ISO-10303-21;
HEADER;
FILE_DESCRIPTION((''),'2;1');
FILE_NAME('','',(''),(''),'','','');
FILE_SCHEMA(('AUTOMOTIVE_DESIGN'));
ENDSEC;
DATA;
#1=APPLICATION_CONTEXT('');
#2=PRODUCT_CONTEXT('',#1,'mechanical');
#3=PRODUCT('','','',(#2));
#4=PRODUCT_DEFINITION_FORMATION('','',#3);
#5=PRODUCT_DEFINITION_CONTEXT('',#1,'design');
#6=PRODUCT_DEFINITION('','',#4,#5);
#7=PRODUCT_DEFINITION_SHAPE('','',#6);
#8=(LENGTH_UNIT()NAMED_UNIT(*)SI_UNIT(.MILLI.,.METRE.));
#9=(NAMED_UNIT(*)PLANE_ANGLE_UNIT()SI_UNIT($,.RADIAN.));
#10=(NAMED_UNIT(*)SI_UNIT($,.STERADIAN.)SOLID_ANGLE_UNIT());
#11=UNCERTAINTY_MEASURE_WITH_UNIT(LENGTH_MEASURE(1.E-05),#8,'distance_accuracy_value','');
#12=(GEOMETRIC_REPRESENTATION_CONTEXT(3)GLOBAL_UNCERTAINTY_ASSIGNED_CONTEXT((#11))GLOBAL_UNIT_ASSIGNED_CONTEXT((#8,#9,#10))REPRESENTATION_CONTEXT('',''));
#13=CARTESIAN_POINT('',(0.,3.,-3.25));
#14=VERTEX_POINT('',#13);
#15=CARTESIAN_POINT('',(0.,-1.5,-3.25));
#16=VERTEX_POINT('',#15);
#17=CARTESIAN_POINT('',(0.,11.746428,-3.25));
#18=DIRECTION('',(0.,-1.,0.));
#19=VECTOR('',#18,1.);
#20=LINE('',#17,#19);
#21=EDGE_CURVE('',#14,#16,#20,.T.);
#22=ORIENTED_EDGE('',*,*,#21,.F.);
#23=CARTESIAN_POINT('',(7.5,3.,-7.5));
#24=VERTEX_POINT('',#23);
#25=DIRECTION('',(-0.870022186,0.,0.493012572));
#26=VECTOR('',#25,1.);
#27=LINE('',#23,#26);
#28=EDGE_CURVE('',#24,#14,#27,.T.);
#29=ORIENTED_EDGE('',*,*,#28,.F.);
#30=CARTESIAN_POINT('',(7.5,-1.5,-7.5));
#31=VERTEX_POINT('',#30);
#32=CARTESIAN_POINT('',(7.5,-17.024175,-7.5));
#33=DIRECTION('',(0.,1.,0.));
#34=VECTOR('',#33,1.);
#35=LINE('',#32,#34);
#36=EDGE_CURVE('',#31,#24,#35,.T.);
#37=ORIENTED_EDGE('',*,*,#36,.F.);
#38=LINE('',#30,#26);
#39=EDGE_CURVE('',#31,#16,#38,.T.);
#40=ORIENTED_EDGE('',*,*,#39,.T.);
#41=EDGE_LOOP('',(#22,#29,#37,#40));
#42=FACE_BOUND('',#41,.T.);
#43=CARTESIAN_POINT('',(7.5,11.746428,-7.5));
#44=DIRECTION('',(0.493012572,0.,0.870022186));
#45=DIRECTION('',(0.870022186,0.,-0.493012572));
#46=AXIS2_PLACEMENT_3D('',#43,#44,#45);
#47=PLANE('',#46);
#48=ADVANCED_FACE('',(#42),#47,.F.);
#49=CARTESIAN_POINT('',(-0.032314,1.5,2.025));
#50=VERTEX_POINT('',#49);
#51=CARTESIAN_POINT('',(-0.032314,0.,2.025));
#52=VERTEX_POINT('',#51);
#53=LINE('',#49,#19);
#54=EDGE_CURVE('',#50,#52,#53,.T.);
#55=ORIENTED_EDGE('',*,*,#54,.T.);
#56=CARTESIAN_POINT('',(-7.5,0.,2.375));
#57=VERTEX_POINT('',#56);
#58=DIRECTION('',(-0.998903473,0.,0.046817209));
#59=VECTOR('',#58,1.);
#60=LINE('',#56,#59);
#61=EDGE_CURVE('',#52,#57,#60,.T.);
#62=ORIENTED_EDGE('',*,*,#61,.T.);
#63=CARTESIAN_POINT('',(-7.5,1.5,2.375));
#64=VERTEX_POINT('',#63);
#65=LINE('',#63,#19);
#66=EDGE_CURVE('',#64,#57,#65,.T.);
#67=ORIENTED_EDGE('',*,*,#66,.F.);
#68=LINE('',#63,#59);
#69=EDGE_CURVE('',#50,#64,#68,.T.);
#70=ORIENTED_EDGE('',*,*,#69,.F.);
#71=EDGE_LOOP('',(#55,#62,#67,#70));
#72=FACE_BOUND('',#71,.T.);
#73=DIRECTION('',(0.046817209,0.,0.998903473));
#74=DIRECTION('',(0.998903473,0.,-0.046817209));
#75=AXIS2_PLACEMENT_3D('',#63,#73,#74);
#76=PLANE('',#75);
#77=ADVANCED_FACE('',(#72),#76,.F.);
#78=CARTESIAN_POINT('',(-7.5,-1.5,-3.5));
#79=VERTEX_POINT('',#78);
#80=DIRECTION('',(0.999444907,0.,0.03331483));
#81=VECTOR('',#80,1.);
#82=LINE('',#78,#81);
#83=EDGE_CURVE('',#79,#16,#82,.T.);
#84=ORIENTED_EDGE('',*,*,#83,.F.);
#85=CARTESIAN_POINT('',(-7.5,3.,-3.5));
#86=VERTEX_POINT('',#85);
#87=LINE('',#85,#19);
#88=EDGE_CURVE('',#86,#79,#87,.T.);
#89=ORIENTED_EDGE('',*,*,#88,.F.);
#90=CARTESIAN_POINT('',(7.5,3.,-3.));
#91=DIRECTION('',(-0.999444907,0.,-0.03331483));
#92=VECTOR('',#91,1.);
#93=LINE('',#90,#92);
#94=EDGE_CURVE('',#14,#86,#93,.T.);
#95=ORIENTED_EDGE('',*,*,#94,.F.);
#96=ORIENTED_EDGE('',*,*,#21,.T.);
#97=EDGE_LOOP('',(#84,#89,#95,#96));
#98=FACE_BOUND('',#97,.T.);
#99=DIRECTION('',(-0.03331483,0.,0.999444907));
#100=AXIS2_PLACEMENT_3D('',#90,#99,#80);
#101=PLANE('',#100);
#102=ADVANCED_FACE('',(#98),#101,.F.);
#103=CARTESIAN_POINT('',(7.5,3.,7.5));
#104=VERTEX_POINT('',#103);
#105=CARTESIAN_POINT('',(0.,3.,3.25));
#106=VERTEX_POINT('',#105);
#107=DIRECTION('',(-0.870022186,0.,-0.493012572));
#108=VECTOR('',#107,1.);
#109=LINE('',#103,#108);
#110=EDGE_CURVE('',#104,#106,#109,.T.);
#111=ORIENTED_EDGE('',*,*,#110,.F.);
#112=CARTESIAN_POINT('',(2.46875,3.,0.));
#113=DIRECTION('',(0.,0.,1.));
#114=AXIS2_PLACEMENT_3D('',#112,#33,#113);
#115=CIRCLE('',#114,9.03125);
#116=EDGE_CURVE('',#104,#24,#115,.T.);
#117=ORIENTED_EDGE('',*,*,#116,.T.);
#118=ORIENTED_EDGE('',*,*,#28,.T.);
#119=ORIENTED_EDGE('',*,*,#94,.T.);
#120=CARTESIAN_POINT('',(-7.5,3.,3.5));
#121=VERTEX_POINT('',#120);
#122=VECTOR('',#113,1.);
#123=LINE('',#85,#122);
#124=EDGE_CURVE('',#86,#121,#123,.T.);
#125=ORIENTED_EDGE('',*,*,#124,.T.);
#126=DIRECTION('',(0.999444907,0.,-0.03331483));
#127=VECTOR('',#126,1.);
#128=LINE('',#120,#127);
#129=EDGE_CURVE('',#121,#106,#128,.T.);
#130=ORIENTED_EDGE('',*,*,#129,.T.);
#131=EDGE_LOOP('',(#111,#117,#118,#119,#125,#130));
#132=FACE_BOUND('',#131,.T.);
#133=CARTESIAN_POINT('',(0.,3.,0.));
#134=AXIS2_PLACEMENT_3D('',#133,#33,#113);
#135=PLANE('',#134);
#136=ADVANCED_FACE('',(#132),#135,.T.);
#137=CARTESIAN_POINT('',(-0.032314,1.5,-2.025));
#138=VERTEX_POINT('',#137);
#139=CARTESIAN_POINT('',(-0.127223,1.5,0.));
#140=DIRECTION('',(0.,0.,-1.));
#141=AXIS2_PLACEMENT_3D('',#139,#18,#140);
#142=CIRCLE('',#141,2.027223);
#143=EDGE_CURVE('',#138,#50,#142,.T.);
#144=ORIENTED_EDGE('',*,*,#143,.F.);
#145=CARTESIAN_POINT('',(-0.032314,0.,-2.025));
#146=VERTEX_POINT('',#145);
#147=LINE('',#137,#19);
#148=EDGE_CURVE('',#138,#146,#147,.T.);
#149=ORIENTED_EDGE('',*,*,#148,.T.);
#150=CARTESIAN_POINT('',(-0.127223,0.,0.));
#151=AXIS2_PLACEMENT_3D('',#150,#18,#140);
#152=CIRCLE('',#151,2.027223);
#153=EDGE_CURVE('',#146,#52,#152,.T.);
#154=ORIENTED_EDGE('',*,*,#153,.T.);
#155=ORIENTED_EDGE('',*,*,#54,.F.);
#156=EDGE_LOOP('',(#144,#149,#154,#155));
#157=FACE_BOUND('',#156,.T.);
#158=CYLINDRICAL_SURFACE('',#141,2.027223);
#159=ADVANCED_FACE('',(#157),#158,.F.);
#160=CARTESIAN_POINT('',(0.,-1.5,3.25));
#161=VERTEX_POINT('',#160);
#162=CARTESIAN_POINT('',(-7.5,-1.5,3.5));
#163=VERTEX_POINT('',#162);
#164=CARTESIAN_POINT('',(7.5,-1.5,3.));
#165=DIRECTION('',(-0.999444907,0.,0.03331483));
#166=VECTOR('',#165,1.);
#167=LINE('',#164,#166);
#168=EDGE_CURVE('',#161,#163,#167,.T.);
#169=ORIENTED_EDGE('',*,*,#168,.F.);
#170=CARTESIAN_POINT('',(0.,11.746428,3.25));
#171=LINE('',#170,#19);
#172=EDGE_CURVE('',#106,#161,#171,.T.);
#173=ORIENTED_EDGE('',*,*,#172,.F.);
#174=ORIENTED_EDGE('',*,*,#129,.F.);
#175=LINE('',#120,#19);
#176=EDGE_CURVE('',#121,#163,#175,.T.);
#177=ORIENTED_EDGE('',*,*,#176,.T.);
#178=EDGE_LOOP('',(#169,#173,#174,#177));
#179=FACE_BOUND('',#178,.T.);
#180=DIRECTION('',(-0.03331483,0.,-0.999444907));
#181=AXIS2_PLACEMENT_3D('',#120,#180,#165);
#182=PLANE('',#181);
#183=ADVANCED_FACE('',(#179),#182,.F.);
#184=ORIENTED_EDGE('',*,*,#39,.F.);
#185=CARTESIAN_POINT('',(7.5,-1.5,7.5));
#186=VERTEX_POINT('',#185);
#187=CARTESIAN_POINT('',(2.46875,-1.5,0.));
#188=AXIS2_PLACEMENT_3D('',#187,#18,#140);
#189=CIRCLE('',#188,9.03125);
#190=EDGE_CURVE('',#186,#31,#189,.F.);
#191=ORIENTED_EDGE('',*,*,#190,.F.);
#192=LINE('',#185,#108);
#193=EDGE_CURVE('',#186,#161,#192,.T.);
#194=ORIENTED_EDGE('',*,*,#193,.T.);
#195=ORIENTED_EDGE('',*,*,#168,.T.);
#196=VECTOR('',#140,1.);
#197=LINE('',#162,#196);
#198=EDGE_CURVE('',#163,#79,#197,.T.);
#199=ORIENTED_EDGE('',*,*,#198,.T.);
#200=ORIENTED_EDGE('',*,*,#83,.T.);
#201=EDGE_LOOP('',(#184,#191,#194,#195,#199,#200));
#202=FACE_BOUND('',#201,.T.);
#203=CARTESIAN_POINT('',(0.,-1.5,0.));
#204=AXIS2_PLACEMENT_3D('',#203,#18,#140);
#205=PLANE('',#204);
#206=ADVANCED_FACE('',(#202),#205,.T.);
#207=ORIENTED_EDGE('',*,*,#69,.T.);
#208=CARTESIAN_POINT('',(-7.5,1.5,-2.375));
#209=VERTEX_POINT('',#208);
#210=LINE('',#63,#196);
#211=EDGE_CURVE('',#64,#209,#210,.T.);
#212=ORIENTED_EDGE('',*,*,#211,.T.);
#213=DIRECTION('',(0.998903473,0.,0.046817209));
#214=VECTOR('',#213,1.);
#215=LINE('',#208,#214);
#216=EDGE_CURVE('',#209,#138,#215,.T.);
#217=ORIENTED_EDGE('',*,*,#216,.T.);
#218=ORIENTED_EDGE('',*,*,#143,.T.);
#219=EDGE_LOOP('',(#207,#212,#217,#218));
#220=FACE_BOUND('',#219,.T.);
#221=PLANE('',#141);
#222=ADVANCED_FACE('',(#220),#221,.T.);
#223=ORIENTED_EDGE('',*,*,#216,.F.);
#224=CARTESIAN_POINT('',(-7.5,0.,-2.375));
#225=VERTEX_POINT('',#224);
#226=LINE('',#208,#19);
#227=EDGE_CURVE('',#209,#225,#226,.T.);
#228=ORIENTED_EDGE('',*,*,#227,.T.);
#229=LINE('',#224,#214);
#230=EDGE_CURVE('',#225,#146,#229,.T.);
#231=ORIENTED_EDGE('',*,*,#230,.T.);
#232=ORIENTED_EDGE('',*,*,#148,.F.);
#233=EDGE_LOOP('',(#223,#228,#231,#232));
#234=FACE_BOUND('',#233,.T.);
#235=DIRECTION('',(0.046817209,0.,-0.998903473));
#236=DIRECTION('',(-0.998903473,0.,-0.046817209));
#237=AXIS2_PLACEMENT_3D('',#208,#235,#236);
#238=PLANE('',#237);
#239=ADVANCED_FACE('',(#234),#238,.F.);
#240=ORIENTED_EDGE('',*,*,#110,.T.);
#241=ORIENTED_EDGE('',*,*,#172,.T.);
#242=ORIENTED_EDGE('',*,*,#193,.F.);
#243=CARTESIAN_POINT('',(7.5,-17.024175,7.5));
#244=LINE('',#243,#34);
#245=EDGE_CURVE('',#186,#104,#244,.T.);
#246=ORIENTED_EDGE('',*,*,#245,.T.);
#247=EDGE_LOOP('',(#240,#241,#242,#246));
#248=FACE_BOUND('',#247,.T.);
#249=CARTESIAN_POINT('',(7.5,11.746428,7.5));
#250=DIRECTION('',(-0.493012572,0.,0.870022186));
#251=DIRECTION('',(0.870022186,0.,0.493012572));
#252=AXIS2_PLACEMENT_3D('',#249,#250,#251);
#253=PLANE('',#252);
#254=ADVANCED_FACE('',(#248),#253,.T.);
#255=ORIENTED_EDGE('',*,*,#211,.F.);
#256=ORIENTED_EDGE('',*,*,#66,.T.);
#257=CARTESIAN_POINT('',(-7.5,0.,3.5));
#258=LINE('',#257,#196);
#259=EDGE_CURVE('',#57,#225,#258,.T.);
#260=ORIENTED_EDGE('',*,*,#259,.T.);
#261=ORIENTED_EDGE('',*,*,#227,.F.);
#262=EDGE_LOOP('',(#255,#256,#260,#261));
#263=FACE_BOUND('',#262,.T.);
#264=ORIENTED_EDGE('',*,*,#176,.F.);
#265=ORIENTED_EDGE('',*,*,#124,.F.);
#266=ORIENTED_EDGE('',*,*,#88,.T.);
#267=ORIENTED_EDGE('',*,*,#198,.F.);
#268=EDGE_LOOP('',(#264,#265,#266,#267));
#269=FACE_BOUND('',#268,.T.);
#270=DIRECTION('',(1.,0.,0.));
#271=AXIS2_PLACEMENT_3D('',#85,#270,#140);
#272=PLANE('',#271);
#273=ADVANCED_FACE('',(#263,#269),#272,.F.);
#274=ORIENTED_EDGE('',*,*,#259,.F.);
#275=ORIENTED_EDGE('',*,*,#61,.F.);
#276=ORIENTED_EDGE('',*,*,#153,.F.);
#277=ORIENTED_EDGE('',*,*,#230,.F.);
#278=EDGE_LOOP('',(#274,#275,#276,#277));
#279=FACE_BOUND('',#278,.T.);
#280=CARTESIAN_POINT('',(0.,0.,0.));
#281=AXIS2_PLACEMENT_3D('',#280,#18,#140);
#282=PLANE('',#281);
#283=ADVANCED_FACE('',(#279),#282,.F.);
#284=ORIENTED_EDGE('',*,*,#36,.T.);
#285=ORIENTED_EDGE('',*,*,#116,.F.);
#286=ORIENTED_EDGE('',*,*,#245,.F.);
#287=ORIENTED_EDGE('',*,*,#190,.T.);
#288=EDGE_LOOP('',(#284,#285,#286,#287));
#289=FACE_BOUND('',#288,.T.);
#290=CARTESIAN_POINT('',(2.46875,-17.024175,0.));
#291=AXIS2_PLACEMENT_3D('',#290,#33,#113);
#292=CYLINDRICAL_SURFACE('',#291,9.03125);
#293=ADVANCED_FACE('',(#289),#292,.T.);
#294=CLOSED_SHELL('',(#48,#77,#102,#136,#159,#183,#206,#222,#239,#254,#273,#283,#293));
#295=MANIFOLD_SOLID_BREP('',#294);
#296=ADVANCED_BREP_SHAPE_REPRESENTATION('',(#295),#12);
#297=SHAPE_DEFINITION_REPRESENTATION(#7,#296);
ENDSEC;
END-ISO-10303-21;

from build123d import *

# Parameters (mm, degrees)
BOSS_EXTRUDE1_DEPTH = 3
CUT_EXTRUDE1_DEPTH  = 1.5
BOSS_EXTRUDE2_DEPTH = 1.5
BOSS_EXTRUDE3_DEPTH = 4.5
BOSS_EXTRUDE4_DEPTH = 4.5


with BuildPart() as part:
    # Sketch1 → Boss-Extrude1 (new body)
    with BuildSketch(Plane(origin=(0, 0, 0), x_dir=(1, 0, 0), z_dir=(0, 1, 0))):
        Polygon((-7.5, 3.5), (-7.5, -3.5), (7.5, -3), (7.5, 3), align=None)
    extrude(amount=BOSS_EXTRUDE1_DEPTH)

    # Sketch2 → Cut-Extrude1 (cut)
    with BuildSketch(Plane.XZ):
        with BuildLine():
            Line((-7.5, 2.375), (-7.5, -2.375))
            Line((-7.5, -2.375), (-0.032313986, -2.025))
            ThreePointArc((-0.032313986, -2.025), (1.9, 0), (-0.032313986, 2.025))
            Line((-0.032313986, 2.025), (-7.5, 2.375))
        make_face()
    extrude(amount=-CUT_EXTRUDE1_DEPTH, mode=Mode.SUBTRACT)

    # Sketch4 → Boss-Extrude2 (add)
    with BuildSketch(Plane.XZ):
        Polygon((-7.5, -3.5), (7.5, -3), (7.5, 3), (-7.5, 3.5), align=None)
    extrude(amount=BOSS_EXTRUDE2_DEPTH)

    # Sketch6 → Boss-Extrude3 (add)
    with BuildSketch(Plane(origin=(0, 3, 0), x_dir=(1, 0, 0), z_dir=(0, 1, 0))):
        with BuildLine():
            Line((7.5, 7.5), (7.5, -7.5))
            ThreePointArc((7.5, -7.5), (11.5, 0), (7.5, 7.5))
        make_face()
    extrude(amount=-BOSS_EXTRUDE3_DEPTH)

    # Sketch7 → Boss-Extrude4 (add)
    with BuildSketch(Plane.XZ.offset(1.5)):
        Polygon((7.5, 7.5), (0, 3.25), (7.5, 3), align=None)
    boss_extrude4 = extrude(amount=-BOSS_EXTRUDE4_DEPTH)

    # Mirror1: Boss-Extrude4 across plane
    add(boss_extrude4.mirror(Plane.XY))


solid = part.part
